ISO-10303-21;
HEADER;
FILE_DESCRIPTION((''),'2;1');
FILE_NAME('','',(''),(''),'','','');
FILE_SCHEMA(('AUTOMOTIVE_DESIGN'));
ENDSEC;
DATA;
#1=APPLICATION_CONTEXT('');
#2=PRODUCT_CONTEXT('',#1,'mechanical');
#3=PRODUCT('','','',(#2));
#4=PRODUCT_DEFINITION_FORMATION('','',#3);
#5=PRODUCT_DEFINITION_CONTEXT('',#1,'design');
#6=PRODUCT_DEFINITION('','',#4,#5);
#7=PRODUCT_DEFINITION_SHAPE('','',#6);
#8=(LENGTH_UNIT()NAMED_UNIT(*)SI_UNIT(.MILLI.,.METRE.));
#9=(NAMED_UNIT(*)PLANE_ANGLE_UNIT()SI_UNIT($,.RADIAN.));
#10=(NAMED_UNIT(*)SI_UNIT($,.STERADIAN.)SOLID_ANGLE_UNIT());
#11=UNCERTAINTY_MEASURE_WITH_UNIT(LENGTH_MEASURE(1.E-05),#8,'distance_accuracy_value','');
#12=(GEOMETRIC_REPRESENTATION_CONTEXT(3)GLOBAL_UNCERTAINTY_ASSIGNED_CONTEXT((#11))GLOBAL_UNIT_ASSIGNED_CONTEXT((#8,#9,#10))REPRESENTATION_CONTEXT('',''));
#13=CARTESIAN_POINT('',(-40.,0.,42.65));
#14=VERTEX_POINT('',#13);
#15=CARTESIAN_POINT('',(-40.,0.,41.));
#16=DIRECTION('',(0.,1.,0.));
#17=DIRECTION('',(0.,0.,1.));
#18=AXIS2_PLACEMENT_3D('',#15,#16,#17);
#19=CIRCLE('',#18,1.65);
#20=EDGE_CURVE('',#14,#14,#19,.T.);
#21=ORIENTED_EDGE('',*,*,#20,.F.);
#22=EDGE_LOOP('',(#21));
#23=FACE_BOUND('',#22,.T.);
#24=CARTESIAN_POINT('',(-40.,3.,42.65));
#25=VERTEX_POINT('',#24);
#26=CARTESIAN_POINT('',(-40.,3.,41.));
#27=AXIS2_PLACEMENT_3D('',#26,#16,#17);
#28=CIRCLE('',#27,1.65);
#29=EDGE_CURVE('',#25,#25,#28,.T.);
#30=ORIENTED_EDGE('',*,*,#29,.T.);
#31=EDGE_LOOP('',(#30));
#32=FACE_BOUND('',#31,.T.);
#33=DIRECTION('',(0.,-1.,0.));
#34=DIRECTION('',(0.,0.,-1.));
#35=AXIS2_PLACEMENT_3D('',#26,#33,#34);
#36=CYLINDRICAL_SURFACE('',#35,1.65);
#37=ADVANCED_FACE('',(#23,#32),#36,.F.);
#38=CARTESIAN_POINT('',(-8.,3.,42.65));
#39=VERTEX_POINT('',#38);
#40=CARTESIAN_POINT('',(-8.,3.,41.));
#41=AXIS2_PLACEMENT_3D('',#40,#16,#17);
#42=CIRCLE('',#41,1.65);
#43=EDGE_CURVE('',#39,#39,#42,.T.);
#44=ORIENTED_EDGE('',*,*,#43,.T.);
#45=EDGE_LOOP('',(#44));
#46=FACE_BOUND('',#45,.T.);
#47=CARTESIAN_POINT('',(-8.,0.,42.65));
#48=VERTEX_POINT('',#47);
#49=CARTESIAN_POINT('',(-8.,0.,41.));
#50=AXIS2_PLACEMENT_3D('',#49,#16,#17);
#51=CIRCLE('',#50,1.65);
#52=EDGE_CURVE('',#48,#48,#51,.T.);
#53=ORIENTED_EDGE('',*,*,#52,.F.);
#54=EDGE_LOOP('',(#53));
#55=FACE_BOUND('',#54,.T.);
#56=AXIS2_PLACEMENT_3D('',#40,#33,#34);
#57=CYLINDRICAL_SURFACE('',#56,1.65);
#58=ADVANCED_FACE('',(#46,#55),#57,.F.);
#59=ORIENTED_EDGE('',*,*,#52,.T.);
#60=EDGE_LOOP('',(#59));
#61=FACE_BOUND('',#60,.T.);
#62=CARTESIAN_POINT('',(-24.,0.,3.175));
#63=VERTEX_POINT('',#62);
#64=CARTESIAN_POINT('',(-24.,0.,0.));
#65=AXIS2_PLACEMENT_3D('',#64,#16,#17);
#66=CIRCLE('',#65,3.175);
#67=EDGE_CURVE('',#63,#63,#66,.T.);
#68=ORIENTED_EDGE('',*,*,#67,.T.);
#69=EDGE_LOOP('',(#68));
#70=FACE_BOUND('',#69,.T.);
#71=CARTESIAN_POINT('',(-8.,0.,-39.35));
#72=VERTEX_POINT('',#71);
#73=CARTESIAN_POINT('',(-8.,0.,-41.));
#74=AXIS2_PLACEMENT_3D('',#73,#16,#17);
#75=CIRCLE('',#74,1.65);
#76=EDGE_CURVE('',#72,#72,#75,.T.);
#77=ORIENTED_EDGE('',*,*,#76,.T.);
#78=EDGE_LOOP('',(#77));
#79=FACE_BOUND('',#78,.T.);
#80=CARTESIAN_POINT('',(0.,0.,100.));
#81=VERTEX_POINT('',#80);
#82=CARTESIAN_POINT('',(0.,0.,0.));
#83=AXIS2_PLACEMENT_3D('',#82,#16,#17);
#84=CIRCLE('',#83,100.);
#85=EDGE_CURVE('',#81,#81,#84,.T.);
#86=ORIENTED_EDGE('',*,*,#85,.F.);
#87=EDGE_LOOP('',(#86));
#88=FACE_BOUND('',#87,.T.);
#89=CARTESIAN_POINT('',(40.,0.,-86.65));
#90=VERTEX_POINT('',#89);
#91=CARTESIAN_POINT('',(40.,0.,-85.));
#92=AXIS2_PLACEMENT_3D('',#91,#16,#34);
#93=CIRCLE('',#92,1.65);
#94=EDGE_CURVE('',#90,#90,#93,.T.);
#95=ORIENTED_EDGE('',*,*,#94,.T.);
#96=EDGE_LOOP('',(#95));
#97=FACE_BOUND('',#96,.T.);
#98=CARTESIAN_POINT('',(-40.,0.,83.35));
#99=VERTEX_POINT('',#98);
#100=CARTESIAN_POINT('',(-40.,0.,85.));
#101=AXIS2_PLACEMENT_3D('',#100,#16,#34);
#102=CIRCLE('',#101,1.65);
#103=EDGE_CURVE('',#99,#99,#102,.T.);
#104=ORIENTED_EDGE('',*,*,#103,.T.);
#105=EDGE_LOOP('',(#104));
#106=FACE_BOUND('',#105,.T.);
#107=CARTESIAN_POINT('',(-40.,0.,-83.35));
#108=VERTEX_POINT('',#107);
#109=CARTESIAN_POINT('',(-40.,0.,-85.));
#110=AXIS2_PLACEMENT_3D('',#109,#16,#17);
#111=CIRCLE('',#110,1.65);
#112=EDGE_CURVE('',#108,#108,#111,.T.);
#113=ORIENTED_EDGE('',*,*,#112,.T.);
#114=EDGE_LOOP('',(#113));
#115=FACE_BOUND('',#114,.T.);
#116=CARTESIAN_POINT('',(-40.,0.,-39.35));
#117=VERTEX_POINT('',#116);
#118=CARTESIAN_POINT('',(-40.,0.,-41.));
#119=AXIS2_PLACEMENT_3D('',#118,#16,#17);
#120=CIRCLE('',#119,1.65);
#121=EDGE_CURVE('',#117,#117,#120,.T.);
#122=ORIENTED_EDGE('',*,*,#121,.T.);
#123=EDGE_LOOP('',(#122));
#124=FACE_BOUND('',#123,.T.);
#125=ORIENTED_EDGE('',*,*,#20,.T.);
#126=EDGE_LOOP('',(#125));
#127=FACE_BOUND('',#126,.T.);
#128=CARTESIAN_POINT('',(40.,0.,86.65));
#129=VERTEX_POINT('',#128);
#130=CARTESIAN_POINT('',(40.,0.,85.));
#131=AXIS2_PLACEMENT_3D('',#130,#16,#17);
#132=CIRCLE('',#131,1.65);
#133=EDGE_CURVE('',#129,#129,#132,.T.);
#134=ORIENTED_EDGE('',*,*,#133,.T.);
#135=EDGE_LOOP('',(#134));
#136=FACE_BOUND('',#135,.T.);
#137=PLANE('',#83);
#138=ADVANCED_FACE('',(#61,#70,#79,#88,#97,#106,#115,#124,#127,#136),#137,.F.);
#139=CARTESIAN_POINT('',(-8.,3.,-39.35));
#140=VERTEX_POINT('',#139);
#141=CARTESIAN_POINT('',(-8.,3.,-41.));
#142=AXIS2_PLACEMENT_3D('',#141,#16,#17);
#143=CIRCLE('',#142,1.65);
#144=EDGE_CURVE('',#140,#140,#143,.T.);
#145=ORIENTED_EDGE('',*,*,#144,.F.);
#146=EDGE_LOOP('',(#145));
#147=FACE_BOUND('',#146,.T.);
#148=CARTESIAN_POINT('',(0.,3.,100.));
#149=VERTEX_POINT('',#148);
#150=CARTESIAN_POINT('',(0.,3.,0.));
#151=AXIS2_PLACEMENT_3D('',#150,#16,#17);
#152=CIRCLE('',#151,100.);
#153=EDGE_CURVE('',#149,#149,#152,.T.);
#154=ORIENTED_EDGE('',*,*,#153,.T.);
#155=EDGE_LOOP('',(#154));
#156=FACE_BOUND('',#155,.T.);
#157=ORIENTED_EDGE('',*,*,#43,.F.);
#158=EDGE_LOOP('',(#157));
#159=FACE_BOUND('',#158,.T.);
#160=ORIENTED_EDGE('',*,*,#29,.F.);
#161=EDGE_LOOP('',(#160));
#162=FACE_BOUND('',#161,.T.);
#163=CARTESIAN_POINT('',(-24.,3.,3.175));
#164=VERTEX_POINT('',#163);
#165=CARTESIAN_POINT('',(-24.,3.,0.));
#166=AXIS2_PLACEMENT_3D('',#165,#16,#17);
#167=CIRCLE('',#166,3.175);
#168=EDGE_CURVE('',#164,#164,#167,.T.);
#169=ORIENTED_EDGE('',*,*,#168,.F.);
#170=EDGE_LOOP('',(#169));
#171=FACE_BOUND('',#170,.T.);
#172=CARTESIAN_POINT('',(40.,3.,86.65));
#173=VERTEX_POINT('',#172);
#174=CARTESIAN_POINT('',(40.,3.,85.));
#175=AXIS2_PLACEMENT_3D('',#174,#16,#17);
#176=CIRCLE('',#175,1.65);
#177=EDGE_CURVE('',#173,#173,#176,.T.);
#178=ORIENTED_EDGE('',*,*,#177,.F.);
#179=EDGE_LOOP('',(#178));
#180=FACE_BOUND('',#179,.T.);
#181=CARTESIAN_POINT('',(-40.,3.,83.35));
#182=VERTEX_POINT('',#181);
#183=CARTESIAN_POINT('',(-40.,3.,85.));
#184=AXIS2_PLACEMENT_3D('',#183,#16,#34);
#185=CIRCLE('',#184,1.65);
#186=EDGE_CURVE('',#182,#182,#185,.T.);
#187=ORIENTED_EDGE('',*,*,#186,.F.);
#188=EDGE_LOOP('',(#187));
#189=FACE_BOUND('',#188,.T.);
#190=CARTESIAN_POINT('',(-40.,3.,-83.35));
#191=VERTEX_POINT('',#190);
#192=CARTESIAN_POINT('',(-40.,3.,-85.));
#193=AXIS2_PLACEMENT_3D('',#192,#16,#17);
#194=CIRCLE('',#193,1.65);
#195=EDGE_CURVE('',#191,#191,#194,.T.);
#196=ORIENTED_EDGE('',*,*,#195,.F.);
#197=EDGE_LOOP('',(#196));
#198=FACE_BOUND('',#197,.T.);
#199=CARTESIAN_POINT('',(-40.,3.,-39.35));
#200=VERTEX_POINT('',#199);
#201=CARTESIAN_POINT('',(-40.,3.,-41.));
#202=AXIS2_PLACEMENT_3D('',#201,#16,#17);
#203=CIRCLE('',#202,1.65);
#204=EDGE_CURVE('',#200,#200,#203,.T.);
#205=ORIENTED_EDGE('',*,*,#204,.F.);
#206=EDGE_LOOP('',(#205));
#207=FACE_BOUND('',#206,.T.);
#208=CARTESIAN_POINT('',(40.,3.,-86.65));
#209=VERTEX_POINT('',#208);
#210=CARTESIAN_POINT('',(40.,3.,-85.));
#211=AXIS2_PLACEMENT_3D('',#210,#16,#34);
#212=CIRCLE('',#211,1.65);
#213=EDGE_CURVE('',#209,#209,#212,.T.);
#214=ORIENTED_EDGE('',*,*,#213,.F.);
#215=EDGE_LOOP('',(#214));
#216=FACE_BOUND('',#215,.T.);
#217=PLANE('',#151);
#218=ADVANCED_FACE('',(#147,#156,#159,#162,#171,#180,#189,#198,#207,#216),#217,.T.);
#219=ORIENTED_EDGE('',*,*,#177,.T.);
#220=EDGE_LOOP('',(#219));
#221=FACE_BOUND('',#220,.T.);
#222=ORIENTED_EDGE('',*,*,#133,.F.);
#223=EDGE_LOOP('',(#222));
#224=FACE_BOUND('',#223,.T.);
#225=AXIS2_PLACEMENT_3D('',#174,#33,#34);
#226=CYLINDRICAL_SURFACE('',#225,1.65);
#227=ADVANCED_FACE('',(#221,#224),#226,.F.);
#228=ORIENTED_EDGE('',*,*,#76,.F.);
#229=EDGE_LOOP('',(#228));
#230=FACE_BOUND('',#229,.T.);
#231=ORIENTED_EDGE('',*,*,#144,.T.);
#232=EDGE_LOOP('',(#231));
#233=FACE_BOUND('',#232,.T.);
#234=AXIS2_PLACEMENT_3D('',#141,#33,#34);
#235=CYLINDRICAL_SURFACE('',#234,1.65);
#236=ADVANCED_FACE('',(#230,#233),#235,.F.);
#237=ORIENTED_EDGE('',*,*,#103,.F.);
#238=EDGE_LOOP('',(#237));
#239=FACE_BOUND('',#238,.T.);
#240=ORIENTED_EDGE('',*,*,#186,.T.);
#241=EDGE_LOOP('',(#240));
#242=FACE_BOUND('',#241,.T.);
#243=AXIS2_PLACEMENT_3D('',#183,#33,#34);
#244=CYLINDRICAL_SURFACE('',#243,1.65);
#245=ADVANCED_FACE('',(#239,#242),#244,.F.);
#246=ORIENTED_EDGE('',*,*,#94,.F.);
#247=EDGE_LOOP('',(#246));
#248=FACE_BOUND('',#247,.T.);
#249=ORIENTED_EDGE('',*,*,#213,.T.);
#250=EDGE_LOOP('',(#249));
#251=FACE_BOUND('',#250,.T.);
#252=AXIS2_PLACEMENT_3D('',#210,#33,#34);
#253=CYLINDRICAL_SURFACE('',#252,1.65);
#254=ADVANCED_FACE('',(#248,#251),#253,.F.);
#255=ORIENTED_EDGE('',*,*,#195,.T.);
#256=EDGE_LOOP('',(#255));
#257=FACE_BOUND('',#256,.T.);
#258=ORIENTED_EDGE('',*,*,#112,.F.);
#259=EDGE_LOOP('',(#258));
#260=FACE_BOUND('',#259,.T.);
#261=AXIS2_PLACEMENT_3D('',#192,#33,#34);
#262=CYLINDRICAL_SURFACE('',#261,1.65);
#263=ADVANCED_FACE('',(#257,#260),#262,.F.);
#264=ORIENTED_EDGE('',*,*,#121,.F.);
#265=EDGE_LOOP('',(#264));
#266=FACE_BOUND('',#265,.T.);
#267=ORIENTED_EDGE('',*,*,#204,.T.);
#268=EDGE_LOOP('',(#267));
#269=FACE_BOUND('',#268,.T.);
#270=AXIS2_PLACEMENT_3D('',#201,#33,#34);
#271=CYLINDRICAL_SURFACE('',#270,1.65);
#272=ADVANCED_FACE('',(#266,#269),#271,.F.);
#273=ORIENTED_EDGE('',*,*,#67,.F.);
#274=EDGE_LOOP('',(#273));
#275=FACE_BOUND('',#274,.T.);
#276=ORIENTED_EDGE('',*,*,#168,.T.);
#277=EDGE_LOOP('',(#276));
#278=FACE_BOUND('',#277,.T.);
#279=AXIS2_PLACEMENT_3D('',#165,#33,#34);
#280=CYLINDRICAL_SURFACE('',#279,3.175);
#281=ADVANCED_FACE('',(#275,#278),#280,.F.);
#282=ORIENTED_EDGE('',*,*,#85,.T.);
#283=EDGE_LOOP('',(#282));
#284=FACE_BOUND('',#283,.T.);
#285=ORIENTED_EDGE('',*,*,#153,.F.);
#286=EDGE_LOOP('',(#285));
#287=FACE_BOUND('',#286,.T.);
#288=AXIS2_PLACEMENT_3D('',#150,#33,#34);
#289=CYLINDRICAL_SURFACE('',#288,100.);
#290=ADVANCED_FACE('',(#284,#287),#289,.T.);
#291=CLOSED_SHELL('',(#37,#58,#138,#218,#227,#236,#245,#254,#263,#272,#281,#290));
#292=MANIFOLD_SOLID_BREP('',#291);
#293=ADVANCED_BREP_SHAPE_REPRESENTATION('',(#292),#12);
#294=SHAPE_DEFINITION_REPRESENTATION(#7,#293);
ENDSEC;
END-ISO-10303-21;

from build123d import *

# Parameters (mm, degrees)
CROQUIS1_R              = 100
CROQUIS1_R_2            = 1.65
CROQUIS1_R_3            = 3.175
SALIENTE_EXTRUIR1_DEPTH = 3


with BuildPart() as part:
    # Croquis1 → Saliente-Extruir1 (new body)
    with BuildSketch(Plane(origin=(0, 0, 0), x_dir=(1, 0, 0), z_dir=(0, 1, 0))):
        with Locations(Location((0, 0, 0), (0, 0, 270))):
            Circle(CROQUIS1_R)
        with Locations(Location((40, -85, 0), (0, 0, 270))):
            Circle(CROQUIS1_R_2, mode=Mode.SUBTRACT)
        with Locations(Location((40, 85, 0), (0, 0, 90))):
            Circle(CROQUIS1_R_2, mode=Mode.SUBTRACT)
        with Locations(Location((-40, -85, 0), (0, 0, 90))):
            Circle(CROQUIS1_R_2, mode=Mode.SUBTRACT)
        with Locations(Location((-40, 85, 0), (0, 0, 270))):
            Circle(CROQUIS1_R_2, mode=Mode.SUBTRACT)
        with Locations(Location((-40, 41, 0), (0, 0, 270))):
            Circle(CROQUIS1_R_2, mode=Mode.SUBTRACT)
        with Locations(Location((-40, -41, 0), (0, 0, 270))):
            Circle(CROQUIS1_R_2, mode=Mode.SUBTRACT)
        with Locations(Location((-24, 0, 0), (0, 0, 270))):
            Circle(CROQUIS1_R_3, mode=Mode.SUBTRACT)
        with Locations(Location((-8, 41, 0), (0, 0, 270))):
            Circle(CROQUIS1_R_2, mode=Mode.SUBTRACT)
        with Locations(Location((-8, -41, 0), (0, 0, 270))):
            Circle(CROQUIS1_R_2, mode=Mode.SUBTRACT)
    extrude(amount=SALIENTE_EXTRUIR1_DEPTH)


solid = part.part
